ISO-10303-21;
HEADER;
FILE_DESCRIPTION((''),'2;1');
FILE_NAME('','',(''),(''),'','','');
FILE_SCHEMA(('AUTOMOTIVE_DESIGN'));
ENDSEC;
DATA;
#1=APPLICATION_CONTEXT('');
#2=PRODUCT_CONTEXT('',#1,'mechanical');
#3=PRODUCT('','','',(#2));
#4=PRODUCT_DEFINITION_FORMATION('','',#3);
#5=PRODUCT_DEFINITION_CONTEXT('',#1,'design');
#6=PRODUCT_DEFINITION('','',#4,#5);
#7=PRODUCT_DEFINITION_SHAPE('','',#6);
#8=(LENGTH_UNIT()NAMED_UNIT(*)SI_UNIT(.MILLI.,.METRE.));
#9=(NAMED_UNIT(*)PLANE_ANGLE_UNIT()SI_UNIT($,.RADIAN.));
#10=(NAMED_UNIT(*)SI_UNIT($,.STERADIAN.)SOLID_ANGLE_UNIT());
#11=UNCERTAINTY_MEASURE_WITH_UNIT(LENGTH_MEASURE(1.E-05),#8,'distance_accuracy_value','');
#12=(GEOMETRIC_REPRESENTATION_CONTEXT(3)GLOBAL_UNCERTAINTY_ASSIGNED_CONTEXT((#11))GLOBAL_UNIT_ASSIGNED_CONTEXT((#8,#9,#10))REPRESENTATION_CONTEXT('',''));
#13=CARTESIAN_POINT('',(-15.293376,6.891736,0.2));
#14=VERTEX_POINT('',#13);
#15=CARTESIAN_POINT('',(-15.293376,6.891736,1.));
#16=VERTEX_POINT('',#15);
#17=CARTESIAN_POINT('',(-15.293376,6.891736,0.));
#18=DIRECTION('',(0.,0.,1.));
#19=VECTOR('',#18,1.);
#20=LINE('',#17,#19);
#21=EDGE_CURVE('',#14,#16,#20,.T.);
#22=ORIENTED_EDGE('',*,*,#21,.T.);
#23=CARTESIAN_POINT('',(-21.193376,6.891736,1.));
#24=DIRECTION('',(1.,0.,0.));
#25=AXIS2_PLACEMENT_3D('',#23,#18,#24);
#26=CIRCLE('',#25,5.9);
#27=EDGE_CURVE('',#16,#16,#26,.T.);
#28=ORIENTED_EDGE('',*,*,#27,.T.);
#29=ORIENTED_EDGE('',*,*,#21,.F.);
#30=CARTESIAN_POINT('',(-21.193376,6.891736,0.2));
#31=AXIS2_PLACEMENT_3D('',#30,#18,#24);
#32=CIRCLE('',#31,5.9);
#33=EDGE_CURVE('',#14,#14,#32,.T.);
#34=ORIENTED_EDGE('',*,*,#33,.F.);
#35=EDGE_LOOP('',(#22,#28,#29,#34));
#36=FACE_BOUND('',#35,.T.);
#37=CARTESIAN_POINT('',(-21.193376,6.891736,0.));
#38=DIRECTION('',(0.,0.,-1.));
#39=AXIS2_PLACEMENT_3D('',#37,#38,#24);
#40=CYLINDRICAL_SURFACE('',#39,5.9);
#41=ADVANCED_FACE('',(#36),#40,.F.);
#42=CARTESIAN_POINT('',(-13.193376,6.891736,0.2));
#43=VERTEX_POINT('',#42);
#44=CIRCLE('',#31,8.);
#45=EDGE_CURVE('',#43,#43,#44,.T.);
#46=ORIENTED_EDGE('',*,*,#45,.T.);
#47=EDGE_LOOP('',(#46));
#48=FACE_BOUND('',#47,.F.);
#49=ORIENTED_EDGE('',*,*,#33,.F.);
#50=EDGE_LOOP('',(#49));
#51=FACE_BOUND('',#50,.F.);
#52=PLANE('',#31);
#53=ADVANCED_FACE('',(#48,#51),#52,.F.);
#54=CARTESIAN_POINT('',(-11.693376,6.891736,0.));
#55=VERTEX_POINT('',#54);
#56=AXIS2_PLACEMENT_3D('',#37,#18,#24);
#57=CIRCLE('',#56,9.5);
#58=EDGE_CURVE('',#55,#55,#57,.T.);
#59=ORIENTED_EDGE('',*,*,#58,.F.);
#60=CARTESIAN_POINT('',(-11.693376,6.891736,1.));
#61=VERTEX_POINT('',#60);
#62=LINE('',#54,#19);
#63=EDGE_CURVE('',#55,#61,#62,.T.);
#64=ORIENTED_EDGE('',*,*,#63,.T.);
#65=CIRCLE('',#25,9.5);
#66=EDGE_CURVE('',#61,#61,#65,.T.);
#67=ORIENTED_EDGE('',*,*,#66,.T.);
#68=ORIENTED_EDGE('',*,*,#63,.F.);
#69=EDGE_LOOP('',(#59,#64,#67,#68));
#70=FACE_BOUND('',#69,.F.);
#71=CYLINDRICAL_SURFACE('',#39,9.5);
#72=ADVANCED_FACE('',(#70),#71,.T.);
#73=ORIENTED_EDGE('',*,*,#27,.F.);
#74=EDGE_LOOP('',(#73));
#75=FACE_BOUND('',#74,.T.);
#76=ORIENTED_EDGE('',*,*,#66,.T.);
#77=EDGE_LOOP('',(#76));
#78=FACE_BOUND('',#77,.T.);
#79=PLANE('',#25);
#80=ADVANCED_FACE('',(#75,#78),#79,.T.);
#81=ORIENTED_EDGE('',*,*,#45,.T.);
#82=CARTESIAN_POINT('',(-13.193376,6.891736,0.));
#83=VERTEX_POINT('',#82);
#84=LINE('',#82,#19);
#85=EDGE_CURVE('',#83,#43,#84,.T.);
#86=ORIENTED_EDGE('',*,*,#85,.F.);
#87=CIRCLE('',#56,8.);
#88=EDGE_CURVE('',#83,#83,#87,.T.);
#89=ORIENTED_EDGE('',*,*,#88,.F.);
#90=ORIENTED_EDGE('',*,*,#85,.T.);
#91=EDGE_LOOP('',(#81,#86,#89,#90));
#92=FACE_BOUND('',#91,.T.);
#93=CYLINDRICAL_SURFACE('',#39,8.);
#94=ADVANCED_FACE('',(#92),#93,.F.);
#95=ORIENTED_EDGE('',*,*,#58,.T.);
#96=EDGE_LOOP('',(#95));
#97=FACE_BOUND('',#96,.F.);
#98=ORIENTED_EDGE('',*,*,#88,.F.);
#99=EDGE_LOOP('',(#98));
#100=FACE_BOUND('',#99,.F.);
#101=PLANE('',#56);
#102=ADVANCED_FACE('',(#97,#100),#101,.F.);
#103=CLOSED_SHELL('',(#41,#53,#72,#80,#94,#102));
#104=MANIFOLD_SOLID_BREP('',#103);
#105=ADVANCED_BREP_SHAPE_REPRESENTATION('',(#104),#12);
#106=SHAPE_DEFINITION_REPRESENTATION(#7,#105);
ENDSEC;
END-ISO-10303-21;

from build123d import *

# Parameters (mm, degrees)
F0_R     = 9.5
F0_R_2   = 8
F0_R_3   = 5.9
F1_DEPTH = 1
F2_DEPTH = 0.2


with BuildPart() as f1:
    # F0 (on Top) → F1 (new body)
    with BuildSketch(Plane.XY):
        with Locations((-21.193376, 6.891736)):
            Circle(F0_R)
        with Locations((-21.193376, 6.891736)):
            Circle(F0_R_2, mode=Mode.SUBTRACT)
        with Locations((-21.193376, 6.891736)):
            Circle(F0_R_2)
        with Locations((-21.193376, 6.891736)):
            Circle(F0_R_3, mode=Mode.SUBTRACT)
    extrude(amount=F1_DEPTH)

    # F0 (on Top) → F2 (cut)
    with BuildSketch(Plane.XY):
        with Locations((-21.193376, 6.891736)):
            Circle(F0_R_2)
        with Locations((-21.193376, 6.891736)):
            Circle(F0_R_3, mode=Mode.SUBTRACT)
    extrude(amount=F2_DEPTH, mode=Mode.SUBTRACT)


solid = f1.part
